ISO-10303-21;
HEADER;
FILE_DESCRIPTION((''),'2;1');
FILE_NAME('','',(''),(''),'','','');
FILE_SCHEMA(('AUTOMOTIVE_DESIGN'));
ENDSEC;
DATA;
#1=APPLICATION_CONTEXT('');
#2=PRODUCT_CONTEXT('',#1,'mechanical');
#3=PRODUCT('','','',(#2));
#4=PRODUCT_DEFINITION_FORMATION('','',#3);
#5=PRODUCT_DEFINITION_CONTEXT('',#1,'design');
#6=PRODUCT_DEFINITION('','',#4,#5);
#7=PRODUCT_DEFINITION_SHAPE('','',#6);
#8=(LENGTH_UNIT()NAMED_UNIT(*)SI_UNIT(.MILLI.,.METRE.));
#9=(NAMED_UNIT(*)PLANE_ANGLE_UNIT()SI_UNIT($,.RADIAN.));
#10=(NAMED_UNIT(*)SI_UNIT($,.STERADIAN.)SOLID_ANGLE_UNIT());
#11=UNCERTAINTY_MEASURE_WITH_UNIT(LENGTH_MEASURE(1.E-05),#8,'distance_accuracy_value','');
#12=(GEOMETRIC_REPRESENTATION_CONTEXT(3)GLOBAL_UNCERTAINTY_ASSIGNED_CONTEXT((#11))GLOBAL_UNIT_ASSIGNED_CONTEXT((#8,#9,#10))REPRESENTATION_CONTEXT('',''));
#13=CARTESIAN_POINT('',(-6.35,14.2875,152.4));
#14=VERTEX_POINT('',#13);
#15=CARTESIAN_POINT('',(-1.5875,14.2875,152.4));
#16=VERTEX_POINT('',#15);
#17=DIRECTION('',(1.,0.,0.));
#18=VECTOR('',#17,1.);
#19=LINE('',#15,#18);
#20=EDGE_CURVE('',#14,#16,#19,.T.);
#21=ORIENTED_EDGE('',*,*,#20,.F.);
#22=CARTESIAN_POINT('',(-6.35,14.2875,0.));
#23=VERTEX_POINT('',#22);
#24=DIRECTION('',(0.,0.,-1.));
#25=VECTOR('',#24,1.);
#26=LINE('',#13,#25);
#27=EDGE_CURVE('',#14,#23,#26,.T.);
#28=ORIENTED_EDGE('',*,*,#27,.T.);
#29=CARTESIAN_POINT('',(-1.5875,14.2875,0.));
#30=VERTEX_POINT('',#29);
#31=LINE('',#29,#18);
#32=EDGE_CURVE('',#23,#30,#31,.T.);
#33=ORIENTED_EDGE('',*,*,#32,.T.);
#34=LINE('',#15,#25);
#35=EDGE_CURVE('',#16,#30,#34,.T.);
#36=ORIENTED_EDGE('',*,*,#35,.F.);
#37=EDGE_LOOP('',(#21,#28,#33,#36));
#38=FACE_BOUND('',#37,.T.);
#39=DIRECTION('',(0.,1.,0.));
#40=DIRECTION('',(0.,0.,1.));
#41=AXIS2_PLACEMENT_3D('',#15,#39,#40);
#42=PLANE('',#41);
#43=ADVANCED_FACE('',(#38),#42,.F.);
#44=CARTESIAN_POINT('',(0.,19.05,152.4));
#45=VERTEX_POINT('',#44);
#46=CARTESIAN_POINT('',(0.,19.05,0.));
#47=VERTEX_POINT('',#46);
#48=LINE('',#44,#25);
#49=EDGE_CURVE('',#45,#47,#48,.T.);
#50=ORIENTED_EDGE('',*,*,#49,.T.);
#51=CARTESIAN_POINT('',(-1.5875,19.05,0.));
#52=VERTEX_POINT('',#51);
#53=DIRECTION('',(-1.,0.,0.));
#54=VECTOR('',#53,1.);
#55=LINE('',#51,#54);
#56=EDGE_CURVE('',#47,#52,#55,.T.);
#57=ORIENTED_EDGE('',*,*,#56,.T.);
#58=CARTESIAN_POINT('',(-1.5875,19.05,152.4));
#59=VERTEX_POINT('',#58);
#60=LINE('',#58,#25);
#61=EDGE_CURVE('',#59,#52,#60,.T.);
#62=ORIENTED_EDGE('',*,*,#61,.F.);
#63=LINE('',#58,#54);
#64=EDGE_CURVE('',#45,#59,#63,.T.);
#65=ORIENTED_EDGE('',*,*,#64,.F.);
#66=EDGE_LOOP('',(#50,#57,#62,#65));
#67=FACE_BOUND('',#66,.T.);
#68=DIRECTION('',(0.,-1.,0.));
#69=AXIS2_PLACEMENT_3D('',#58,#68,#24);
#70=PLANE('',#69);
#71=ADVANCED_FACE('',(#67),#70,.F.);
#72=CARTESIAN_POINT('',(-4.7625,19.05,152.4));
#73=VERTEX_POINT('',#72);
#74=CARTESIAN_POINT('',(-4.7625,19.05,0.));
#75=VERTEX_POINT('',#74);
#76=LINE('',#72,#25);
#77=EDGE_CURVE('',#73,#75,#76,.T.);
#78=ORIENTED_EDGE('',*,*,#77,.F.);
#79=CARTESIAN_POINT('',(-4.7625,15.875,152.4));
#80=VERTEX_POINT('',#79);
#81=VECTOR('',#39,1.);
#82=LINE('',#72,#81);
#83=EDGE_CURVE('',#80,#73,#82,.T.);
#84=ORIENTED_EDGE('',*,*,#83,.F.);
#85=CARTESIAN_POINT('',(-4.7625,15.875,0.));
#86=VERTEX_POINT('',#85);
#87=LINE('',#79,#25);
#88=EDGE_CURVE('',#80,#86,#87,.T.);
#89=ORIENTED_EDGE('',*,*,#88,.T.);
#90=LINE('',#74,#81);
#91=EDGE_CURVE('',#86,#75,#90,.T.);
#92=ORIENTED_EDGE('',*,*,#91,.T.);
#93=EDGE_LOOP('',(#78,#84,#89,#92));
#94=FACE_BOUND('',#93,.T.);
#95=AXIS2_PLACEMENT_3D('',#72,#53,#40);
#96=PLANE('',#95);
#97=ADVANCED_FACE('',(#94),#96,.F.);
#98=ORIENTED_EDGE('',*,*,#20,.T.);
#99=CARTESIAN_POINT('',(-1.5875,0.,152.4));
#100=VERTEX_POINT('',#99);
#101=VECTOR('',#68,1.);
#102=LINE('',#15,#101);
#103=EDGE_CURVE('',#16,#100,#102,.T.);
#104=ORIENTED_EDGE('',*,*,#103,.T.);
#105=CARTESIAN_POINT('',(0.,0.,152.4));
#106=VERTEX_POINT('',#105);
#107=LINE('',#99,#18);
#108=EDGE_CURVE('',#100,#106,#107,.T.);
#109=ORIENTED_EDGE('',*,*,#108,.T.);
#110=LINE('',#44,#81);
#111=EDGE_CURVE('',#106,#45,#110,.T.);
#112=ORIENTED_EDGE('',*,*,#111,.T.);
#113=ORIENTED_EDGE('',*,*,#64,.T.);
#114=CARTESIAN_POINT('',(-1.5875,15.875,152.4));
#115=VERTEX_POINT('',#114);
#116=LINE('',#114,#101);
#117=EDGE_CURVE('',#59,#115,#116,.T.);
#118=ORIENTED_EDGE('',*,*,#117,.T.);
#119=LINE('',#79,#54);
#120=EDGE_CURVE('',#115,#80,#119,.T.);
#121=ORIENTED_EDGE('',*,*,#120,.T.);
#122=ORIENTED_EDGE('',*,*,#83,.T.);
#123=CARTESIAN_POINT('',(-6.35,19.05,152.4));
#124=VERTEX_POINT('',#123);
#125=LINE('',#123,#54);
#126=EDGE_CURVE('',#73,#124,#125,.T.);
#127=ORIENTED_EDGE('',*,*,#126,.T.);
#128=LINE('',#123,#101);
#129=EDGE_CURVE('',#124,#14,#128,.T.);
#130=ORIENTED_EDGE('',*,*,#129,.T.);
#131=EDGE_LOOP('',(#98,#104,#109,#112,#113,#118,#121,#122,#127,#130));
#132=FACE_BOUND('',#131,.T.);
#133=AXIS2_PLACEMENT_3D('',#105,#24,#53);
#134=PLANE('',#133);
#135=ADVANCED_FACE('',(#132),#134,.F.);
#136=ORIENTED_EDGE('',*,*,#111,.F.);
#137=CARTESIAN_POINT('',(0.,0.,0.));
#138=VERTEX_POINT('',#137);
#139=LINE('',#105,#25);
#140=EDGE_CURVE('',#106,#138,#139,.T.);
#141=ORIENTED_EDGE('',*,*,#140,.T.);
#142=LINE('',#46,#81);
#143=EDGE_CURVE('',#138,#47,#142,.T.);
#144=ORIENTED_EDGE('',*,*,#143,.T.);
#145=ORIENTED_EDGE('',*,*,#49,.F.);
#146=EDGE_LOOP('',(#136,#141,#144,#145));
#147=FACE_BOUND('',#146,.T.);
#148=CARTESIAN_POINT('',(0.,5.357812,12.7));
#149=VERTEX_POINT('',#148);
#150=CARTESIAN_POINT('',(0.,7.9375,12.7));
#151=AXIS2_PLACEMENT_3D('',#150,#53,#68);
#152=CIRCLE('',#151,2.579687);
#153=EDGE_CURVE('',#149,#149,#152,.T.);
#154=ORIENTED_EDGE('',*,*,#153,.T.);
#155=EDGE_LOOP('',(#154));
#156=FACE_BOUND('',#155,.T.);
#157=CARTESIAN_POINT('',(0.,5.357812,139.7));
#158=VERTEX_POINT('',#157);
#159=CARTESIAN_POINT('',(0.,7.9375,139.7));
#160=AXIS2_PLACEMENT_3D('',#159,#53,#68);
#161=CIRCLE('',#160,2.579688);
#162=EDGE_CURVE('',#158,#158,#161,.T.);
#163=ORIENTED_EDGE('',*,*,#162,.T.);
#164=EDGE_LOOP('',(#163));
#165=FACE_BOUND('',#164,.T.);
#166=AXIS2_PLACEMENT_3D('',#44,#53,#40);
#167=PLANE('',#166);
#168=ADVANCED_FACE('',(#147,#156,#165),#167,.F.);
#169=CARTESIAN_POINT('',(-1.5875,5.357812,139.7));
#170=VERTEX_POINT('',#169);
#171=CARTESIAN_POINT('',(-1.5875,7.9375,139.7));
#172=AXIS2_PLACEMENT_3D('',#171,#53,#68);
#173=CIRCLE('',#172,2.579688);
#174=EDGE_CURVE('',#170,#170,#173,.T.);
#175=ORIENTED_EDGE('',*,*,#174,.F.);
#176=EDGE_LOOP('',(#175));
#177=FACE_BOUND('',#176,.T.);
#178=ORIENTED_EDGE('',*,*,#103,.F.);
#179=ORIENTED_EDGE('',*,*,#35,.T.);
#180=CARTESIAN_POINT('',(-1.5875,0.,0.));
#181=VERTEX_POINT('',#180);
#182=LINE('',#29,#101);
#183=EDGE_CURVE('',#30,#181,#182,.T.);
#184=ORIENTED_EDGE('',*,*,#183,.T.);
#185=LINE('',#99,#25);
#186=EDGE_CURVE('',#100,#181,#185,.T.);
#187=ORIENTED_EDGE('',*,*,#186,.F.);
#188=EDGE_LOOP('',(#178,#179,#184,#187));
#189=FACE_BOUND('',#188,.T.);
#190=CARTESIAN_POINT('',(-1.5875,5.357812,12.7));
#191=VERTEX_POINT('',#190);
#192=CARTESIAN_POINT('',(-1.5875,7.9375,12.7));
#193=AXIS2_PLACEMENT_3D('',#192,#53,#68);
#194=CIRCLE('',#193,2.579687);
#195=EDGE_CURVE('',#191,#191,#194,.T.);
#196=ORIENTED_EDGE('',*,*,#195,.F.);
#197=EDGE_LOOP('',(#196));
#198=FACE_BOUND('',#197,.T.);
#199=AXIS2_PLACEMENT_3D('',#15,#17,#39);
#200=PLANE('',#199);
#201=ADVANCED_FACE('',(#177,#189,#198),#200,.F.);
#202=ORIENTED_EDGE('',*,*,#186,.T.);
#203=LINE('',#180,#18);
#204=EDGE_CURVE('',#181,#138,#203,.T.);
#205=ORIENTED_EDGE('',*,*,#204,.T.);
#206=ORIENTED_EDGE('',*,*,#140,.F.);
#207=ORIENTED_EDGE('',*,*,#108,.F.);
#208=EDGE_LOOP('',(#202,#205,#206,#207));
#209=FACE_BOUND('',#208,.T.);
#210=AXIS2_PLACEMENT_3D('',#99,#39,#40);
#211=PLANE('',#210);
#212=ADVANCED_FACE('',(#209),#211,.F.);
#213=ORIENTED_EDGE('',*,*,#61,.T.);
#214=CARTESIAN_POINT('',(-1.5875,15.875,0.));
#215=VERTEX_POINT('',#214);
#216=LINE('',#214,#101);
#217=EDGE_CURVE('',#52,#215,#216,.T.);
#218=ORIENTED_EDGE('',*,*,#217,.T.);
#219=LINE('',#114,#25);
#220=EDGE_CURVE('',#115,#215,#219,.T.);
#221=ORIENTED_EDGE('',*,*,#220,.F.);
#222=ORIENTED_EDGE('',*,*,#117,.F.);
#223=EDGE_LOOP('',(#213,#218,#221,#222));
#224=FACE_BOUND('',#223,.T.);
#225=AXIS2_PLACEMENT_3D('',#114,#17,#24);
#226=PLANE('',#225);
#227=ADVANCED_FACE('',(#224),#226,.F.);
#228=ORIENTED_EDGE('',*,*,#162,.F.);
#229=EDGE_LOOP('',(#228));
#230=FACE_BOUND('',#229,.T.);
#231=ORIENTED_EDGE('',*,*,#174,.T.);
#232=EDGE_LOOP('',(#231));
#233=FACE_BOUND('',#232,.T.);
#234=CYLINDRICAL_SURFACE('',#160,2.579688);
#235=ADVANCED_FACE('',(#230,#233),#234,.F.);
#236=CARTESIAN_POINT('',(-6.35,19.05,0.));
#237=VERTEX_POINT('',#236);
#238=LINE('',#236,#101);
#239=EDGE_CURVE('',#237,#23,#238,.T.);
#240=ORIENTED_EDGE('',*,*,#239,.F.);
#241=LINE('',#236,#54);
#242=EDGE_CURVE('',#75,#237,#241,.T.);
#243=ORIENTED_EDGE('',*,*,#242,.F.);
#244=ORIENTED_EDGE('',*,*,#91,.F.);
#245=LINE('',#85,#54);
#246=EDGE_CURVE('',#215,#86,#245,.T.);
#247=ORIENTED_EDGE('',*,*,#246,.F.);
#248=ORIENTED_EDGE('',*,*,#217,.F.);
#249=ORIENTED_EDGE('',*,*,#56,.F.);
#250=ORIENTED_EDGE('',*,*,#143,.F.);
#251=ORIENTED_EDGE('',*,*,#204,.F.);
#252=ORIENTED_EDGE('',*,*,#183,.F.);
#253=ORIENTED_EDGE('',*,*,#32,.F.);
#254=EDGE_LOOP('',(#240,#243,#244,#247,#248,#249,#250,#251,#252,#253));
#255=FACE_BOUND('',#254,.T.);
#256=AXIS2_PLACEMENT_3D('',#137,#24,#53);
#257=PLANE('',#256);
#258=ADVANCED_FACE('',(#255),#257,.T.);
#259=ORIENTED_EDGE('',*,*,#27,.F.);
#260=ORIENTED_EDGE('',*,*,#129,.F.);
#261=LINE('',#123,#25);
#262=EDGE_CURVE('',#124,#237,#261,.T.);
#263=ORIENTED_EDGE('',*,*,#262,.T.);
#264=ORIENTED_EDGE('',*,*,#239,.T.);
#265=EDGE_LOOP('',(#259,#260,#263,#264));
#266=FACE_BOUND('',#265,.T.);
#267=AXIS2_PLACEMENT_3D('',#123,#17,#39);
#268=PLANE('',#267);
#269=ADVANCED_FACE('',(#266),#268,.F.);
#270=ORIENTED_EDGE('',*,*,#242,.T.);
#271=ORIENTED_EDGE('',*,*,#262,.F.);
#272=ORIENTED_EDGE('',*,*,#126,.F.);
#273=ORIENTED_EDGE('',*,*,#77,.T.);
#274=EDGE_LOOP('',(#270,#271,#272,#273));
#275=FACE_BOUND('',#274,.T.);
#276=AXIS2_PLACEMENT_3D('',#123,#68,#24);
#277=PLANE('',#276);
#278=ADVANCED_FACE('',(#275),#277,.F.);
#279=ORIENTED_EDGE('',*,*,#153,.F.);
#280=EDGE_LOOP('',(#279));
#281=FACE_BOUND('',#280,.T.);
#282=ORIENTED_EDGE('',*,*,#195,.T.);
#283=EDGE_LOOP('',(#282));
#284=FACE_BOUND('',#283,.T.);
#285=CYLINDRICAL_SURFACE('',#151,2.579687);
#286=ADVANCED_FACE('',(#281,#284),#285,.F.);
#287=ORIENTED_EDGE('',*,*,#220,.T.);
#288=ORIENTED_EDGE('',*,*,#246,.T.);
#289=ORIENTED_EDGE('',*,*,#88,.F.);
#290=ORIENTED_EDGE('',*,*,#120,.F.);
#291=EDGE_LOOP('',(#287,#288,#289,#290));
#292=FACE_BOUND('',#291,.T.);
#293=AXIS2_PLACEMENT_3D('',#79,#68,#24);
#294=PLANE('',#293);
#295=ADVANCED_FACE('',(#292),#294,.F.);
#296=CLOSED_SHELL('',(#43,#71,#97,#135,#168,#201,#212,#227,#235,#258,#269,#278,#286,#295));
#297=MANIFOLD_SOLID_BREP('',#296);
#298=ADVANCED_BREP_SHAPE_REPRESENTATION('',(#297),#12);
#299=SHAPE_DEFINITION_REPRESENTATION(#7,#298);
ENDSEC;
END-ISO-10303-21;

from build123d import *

# Parameters (mm, degrees)
BOSS_EXTRUDE1_DEPTH = 152.4
SKETCH2_R           = 2.5796875
CUT_EXTRUDE1_DEPTH  = 2.5875


with BuildPart() as part:
    # Sketch1 → Boss-Extrude1 (new body)
    with BuildSketch(Plane.XY):
        Polygon((-6.35, 19.05), (-4.7625, 19.05), (-4.7625, 15.875), (-1.5875, 15.875), (-1.5875, 19.05), (0, 19.05), (0, 0), (-1.5875, 0), (-1.5875, 14.2875), (-6.35, 14.2875), align=None)
    extrude(amount=BOSS_EXTRUDE1_DEPTH)

    # Sketch2 → Cut-Extrude1 (cut, through all)
    with BuildSketch(Plane.ZY.offset(1.5875)):
        with Locations((12.7, 7.9375)):
            Circle(SKETCH2_R)
        with Locations((139.7, 7.9375)):
            Circle(SKETCH2_R)
    extrude(amount=-CUT_EXTRUDE1_DEPTH, mode=Mode.SUBTRACT)


solid = part.part
